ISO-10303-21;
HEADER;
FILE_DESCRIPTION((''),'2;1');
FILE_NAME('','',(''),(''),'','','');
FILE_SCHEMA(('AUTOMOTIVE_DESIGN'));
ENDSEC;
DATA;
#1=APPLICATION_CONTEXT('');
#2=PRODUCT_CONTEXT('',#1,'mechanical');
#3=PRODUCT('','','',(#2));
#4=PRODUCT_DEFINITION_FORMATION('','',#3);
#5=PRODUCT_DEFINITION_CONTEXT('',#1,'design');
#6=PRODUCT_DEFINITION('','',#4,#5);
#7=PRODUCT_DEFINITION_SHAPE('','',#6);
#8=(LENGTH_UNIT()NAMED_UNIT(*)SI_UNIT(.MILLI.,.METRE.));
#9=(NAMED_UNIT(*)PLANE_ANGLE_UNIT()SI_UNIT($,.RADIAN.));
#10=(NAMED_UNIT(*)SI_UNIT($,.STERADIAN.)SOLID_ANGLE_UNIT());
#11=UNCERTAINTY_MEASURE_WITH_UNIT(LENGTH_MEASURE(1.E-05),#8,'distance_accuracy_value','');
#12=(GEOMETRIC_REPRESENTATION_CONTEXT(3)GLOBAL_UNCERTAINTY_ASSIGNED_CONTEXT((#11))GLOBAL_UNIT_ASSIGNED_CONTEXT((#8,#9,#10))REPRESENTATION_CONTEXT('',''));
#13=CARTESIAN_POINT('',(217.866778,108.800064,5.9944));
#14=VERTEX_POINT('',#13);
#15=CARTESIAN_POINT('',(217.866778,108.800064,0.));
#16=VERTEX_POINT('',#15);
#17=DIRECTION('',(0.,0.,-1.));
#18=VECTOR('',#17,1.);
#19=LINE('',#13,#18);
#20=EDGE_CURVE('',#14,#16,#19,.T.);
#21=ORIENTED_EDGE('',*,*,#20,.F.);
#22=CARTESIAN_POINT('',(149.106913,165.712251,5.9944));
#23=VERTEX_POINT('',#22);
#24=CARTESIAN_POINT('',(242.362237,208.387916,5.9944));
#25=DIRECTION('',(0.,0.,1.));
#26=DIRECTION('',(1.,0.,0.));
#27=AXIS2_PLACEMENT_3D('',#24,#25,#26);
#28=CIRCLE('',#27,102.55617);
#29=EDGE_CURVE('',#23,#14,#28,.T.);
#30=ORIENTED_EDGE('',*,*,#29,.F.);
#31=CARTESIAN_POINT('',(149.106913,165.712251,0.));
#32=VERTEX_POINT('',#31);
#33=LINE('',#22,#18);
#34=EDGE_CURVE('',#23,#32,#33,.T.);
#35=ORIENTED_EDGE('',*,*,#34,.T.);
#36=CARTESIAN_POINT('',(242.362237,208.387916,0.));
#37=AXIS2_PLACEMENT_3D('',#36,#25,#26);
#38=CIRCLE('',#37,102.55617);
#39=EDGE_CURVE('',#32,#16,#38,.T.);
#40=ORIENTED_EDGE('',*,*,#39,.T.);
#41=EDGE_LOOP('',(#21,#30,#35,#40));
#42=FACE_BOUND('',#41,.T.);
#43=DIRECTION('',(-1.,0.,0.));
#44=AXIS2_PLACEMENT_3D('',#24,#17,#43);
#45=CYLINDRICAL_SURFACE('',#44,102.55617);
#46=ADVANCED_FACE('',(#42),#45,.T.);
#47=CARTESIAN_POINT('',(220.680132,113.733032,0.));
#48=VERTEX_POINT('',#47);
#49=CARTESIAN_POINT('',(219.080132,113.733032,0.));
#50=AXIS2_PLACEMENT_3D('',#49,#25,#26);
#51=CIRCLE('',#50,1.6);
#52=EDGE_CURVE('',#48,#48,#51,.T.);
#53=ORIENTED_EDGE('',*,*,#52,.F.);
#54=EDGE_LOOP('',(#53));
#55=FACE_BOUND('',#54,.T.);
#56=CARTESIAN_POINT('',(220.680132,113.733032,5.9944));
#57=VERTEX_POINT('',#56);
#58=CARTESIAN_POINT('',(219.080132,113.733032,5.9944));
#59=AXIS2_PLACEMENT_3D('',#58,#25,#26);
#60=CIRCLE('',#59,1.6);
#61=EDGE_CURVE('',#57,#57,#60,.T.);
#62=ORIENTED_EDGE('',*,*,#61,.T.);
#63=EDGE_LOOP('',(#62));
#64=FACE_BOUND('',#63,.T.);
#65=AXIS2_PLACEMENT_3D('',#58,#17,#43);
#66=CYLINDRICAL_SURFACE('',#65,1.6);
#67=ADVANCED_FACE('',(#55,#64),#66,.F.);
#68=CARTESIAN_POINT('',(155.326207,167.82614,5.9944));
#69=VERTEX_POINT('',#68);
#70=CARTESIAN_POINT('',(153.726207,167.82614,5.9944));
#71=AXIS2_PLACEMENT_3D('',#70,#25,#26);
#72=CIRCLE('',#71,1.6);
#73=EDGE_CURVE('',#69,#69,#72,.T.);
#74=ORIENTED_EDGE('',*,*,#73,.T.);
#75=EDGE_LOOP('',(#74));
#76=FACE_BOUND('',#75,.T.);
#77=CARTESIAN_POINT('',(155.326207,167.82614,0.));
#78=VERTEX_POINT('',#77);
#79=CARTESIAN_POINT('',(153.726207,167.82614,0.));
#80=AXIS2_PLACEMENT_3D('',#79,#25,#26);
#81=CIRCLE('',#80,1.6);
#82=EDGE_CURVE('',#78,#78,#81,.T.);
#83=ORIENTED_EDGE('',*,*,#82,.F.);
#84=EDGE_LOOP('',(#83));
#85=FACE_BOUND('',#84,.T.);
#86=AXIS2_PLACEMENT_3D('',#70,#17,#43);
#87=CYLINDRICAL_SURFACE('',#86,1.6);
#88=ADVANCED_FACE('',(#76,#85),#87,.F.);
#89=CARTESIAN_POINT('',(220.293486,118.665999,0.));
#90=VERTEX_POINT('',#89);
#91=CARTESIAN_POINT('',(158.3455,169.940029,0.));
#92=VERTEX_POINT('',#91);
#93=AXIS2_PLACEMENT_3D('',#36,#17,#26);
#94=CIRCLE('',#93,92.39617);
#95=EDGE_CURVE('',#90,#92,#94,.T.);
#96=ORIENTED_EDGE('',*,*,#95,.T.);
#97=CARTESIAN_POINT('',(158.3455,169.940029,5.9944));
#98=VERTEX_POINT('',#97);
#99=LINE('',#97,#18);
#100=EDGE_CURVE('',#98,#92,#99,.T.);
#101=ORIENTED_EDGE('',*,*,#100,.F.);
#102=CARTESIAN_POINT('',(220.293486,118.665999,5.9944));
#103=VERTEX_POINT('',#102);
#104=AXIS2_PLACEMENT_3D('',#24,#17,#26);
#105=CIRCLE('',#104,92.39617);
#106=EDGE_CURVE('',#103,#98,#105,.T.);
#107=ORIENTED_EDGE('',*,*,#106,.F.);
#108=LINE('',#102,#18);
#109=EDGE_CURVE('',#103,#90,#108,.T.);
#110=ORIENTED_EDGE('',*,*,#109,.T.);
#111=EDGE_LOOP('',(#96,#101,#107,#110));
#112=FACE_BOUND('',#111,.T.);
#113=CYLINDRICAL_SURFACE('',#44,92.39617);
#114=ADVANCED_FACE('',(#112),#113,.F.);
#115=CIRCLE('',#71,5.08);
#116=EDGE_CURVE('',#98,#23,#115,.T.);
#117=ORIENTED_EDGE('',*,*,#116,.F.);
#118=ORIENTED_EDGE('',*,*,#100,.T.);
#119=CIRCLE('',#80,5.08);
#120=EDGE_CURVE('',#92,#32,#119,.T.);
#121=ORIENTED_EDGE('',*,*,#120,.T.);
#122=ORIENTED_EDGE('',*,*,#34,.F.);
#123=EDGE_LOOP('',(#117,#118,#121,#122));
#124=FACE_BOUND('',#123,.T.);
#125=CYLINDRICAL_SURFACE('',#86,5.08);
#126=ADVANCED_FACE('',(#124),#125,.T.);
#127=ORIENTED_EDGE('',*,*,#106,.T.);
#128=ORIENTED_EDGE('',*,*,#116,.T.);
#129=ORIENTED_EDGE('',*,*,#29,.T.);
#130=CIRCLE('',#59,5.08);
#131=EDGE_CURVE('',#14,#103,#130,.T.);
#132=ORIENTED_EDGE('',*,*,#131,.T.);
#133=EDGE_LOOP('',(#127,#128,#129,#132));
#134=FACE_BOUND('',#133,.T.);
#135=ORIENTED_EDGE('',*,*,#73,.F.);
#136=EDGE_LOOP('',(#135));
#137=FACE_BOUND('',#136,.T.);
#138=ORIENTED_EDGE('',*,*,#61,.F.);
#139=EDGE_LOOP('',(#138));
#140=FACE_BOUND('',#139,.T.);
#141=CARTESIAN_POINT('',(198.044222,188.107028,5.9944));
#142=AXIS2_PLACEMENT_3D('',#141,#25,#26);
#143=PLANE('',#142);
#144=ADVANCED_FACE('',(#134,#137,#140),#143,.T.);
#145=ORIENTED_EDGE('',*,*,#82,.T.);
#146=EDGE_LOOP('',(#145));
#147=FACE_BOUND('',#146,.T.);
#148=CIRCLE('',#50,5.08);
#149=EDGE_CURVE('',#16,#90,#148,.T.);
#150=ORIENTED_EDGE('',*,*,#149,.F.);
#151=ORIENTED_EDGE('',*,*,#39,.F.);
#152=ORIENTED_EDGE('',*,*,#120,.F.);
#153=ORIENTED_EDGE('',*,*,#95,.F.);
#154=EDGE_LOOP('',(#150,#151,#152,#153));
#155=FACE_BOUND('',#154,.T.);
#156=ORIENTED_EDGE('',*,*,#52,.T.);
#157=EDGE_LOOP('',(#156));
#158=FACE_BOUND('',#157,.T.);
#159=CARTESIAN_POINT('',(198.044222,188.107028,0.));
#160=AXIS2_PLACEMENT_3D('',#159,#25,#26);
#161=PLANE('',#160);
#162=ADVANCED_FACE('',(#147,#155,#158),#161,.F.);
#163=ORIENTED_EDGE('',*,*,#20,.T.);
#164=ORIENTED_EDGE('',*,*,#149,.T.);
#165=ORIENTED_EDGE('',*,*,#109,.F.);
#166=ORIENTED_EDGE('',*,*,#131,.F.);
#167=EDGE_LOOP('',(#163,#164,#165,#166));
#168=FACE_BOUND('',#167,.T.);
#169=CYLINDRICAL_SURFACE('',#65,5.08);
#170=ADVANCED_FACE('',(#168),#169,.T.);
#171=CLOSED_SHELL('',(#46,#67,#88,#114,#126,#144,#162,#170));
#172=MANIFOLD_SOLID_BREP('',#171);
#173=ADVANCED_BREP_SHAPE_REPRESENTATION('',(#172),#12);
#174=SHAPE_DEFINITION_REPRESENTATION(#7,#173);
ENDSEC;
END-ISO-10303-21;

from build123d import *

# Parameters (mm, degrees)
SKETCH1_R           = 1.599999975
SKETCH1_R_2         = 1.6
BOSS_EXTRUDE1_DEPTH = 5.9944


with BuildPart() as part:
    # Sketch1 → Boss-Extrude1 (new body)
    with BuildSketch(Plane.XY):
        with BuildLine():
            ThreePointArc((149.106913007, 165.712250829), (176.970639838, 129.383442355), (217.866778032, 108.800063654))
            ThreePointArc((217.866778032, 108.800063654), (224.013099869, 112.519677596), (220.293485927, 118.665999433))
            ThreePointArc((220.293485927, 118.665999433), (183.448832542, 137.210230923), (158.345499993, 169.940029265))
            ThreePointArc((158.345499993, 169.940029265), (151.612317282, 172.44543354), (149.106913007, 165.712250829))
        make_face()
        with Locations((219.08013198, 113.733031543)):
            Circle(SKETCH1_R, mode=Mode.SUBTRACT)
        with Locations((153.7262065, 167.826140047)):
            Circle(SKETCH1_R_2, mode=Mode.SUBTRACT)
    extrude(amount=BOSS_EXTRUDE1_DEPTH)


solid = part.part
